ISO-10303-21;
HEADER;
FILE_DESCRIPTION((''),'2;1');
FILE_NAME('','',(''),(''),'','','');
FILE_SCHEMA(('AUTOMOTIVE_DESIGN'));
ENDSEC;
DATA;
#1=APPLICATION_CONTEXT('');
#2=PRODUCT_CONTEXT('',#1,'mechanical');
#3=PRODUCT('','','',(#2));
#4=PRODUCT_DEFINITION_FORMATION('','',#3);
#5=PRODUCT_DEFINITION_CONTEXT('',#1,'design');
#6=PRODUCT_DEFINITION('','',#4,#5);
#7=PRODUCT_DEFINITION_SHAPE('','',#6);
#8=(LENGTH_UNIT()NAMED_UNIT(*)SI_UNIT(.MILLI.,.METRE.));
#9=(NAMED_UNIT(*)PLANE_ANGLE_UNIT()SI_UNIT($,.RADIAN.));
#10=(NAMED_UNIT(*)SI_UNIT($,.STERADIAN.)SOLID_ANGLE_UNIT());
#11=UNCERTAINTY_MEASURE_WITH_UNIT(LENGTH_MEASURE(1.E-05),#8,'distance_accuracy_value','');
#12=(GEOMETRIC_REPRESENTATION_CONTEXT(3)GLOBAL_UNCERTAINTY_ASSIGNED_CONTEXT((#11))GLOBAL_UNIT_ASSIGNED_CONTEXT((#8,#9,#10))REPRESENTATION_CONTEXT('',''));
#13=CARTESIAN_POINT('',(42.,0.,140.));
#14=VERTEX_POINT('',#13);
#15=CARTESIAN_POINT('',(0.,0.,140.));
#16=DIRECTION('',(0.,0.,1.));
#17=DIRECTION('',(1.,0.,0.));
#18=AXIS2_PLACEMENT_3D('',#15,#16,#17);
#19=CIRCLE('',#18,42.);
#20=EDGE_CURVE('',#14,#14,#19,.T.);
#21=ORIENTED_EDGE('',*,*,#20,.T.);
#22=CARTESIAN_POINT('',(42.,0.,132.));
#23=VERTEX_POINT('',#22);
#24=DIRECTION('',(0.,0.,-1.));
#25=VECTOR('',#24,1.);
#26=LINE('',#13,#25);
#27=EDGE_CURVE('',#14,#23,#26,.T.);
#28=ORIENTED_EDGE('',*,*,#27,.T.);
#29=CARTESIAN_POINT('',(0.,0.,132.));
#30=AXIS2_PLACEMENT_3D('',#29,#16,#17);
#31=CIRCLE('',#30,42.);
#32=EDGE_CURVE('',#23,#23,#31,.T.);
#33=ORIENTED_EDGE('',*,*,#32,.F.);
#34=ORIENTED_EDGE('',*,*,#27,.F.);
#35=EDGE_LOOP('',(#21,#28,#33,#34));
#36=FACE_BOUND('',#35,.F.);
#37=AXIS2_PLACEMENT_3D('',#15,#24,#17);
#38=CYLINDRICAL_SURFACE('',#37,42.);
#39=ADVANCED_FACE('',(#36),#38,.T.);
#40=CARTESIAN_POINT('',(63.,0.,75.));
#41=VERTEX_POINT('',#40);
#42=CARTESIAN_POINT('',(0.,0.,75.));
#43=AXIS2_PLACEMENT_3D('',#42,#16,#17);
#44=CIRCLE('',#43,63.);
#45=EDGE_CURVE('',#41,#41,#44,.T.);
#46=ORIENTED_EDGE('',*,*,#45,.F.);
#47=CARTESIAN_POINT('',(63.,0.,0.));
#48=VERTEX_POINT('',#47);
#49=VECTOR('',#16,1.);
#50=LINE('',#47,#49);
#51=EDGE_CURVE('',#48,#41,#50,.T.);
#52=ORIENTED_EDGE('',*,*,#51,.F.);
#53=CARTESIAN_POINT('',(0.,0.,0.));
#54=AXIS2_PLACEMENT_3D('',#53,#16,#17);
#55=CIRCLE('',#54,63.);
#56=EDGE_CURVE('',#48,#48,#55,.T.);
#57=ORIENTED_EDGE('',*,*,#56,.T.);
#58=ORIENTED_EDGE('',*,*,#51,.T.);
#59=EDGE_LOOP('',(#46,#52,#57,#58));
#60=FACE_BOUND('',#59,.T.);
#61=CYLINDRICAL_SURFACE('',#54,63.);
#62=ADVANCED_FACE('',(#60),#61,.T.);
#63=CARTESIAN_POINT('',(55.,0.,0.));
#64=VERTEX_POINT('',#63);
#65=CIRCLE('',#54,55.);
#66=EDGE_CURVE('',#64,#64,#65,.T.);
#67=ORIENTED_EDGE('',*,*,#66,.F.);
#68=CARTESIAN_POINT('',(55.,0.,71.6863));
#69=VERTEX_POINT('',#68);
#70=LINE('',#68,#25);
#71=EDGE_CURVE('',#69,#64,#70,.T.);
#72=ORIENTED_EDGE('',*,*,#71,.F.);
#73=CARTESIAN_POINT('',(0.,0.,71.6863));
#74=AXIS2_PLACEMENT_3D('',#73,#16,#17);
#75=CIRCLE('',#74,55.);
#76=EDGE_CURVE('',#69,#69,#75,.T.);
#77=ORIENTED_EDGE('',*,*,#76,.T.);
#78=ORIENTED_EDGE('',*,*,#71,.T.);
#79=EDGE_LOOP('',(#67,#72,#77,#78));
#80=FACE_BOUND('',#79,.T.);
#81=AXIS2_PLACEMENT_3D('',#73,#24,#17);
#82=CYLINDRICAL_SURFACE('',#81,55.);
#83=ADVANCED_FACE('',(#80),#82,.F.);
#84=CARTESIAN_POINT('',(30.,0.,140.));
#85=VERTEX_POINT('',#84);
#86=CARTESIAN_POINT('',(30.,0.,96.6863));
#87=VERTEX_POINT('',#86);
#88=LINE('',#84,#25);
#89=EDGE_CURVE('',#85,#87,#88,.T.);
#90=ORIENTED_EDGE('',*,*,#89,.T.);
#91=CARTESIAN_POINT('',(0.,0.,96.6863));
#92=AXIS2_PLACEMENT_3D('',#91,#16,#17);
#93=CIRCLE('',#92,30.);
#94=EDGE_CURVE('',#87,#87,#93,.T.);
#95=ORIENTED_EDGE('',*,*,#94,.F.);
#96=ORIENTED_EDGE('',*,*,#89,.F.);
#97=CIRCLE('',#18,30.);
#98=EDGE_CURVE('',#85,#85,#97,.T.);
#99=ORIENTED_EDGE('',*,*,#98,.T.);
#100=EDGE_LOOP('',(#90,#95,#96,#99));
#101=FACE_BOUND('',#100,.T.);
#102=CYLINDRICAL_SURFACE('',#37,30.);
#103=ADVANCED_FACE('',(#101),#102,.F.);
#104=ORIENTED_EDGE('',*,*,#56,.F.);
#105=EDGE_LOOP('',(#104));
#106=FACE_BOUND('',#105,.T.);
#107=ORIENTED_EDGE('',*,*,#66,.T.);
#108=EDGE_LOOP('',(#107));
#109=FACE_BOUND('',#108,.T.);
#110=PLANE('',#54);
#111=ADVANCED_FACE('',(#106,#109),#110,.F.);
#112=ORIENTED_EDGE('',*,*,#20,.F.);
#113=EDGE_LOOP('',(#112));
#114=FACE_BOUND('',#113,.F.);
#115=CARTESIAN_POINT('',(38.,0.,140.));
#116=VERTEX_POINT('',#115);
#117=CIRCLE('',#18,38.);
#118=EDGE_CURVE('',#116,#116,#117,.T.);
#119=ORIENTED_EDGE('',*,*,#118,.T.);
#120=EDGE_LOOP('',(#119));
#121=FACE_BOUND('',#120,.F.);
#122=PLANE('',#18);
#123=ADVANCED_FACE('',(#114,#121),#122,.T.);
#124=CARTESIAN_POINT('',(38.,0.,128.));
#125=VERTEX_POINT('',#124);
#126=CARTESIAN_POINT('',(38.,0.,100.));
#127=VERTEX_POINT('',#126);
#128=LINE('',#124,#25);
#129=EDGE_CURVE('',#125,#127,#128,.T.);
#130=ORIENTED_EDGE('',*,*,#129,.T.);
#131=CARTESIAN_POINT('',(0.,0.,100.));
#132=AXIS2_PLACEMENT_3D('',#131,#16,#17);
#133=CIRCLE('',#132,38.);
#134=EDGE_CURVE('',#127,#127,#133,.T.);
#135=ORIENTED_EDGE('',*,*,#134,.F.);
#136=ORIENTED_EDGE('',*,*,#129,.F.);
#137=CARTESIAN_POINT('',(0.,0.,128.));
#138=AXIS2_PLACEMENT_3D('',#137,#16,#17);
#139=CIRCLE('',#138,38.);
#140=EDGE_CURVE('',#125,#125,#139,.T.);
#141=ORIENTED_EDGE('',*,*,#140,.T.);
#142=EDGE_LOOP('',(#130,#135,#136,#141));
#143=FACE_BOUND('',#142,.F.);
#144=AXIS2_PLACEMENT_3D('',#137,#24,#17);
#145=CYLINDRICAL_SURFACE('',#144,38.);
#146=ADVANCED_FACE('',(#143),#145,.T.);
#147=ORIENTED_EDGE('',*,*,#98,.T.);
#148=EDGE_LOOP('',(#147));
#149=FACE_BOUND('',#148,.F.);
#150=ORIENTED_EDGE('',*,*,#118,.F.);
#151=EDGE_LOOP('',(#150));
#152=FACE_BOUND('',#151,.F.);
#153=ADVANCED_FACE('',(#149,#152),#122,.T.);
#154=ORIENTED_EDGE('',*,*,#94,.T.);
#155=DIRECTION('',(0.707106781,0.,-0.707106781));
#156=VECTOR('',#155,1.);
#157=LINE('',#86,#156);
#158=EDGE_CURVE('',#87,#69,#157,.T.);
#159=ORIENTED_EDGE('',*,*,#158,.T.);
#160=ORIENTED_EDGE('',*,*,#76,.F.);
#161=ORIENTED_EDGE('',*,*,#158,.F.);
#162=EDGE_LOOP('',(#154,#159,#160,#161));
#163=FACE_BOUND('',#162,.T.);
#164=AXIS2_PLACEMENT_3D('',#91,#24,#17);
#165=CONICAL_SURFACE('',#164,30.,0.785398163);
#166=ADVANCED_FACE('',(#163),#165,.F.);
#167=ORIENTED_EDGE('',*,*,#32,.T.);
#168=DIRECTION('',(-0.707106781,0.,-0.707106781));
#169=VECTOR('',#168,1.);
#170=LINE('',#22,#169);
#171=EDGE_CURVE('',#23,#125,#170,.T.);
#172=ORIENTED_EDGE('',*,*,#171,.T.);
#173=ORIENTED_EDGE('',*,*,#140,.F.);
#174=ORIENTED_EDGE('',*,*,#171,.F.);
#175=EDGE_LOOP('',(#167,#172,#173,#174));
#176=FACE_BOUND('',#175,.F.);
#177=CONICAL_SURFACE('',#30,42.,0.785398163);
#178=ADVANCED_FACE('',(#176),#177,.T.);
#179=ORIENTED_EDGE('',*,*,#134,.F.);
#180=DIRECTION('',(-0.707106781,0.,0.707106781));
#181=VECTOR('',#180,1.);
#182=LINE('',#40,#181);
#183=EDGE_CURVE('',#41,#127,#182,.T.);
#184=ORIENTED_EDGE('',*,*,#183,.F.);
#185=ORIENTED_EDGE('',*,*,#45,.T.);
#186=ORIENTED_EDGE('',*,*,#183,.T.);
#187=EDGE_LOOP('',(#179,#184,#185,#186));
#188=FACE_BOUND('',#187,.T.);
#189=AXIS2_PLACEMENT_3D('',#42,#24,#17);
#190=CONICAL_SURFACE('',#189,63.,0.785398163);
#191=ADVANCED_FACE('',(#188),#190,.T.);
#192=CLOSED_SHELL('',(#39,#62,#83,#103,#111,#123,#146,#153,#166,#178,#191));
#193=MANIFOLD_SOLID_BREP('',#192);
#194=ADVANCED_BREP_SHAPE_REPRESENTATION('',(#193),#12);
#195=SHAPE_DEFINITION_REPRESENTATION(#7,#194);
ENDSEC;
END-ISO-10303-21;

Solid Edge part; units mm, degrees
sketch "Sketch1" plane through (0, 0, 0) normal (0, -1, 0) x (1, 0, 0)
  line L0 (42, 140) -> (42, 132)
  line L1 (42, 132) -> (38, 128)
  line L2 (38, 128) -> (38, 100)
  line L3 (63, 75) -> (38, 100)
  line L4 (63, 0) -> (63, 75)
  line L5 (55, 0) -> (63, 0)
  line L6 (55, 71.6863) -> (55, 0)
  line L7 (30, 96.6863) -> (55, 71.6863)
  line L8 (30, 140) -> (30, 96.6863)
  line L9 (30, 140) -> (38, 140)
  line L10 (38, 140) -> (42, 140)
revolve "RevolvedProtrusion1" add sketch "Sketch1" angle 360 about axis through (0, 0, 0) along (0, 0, 1)
